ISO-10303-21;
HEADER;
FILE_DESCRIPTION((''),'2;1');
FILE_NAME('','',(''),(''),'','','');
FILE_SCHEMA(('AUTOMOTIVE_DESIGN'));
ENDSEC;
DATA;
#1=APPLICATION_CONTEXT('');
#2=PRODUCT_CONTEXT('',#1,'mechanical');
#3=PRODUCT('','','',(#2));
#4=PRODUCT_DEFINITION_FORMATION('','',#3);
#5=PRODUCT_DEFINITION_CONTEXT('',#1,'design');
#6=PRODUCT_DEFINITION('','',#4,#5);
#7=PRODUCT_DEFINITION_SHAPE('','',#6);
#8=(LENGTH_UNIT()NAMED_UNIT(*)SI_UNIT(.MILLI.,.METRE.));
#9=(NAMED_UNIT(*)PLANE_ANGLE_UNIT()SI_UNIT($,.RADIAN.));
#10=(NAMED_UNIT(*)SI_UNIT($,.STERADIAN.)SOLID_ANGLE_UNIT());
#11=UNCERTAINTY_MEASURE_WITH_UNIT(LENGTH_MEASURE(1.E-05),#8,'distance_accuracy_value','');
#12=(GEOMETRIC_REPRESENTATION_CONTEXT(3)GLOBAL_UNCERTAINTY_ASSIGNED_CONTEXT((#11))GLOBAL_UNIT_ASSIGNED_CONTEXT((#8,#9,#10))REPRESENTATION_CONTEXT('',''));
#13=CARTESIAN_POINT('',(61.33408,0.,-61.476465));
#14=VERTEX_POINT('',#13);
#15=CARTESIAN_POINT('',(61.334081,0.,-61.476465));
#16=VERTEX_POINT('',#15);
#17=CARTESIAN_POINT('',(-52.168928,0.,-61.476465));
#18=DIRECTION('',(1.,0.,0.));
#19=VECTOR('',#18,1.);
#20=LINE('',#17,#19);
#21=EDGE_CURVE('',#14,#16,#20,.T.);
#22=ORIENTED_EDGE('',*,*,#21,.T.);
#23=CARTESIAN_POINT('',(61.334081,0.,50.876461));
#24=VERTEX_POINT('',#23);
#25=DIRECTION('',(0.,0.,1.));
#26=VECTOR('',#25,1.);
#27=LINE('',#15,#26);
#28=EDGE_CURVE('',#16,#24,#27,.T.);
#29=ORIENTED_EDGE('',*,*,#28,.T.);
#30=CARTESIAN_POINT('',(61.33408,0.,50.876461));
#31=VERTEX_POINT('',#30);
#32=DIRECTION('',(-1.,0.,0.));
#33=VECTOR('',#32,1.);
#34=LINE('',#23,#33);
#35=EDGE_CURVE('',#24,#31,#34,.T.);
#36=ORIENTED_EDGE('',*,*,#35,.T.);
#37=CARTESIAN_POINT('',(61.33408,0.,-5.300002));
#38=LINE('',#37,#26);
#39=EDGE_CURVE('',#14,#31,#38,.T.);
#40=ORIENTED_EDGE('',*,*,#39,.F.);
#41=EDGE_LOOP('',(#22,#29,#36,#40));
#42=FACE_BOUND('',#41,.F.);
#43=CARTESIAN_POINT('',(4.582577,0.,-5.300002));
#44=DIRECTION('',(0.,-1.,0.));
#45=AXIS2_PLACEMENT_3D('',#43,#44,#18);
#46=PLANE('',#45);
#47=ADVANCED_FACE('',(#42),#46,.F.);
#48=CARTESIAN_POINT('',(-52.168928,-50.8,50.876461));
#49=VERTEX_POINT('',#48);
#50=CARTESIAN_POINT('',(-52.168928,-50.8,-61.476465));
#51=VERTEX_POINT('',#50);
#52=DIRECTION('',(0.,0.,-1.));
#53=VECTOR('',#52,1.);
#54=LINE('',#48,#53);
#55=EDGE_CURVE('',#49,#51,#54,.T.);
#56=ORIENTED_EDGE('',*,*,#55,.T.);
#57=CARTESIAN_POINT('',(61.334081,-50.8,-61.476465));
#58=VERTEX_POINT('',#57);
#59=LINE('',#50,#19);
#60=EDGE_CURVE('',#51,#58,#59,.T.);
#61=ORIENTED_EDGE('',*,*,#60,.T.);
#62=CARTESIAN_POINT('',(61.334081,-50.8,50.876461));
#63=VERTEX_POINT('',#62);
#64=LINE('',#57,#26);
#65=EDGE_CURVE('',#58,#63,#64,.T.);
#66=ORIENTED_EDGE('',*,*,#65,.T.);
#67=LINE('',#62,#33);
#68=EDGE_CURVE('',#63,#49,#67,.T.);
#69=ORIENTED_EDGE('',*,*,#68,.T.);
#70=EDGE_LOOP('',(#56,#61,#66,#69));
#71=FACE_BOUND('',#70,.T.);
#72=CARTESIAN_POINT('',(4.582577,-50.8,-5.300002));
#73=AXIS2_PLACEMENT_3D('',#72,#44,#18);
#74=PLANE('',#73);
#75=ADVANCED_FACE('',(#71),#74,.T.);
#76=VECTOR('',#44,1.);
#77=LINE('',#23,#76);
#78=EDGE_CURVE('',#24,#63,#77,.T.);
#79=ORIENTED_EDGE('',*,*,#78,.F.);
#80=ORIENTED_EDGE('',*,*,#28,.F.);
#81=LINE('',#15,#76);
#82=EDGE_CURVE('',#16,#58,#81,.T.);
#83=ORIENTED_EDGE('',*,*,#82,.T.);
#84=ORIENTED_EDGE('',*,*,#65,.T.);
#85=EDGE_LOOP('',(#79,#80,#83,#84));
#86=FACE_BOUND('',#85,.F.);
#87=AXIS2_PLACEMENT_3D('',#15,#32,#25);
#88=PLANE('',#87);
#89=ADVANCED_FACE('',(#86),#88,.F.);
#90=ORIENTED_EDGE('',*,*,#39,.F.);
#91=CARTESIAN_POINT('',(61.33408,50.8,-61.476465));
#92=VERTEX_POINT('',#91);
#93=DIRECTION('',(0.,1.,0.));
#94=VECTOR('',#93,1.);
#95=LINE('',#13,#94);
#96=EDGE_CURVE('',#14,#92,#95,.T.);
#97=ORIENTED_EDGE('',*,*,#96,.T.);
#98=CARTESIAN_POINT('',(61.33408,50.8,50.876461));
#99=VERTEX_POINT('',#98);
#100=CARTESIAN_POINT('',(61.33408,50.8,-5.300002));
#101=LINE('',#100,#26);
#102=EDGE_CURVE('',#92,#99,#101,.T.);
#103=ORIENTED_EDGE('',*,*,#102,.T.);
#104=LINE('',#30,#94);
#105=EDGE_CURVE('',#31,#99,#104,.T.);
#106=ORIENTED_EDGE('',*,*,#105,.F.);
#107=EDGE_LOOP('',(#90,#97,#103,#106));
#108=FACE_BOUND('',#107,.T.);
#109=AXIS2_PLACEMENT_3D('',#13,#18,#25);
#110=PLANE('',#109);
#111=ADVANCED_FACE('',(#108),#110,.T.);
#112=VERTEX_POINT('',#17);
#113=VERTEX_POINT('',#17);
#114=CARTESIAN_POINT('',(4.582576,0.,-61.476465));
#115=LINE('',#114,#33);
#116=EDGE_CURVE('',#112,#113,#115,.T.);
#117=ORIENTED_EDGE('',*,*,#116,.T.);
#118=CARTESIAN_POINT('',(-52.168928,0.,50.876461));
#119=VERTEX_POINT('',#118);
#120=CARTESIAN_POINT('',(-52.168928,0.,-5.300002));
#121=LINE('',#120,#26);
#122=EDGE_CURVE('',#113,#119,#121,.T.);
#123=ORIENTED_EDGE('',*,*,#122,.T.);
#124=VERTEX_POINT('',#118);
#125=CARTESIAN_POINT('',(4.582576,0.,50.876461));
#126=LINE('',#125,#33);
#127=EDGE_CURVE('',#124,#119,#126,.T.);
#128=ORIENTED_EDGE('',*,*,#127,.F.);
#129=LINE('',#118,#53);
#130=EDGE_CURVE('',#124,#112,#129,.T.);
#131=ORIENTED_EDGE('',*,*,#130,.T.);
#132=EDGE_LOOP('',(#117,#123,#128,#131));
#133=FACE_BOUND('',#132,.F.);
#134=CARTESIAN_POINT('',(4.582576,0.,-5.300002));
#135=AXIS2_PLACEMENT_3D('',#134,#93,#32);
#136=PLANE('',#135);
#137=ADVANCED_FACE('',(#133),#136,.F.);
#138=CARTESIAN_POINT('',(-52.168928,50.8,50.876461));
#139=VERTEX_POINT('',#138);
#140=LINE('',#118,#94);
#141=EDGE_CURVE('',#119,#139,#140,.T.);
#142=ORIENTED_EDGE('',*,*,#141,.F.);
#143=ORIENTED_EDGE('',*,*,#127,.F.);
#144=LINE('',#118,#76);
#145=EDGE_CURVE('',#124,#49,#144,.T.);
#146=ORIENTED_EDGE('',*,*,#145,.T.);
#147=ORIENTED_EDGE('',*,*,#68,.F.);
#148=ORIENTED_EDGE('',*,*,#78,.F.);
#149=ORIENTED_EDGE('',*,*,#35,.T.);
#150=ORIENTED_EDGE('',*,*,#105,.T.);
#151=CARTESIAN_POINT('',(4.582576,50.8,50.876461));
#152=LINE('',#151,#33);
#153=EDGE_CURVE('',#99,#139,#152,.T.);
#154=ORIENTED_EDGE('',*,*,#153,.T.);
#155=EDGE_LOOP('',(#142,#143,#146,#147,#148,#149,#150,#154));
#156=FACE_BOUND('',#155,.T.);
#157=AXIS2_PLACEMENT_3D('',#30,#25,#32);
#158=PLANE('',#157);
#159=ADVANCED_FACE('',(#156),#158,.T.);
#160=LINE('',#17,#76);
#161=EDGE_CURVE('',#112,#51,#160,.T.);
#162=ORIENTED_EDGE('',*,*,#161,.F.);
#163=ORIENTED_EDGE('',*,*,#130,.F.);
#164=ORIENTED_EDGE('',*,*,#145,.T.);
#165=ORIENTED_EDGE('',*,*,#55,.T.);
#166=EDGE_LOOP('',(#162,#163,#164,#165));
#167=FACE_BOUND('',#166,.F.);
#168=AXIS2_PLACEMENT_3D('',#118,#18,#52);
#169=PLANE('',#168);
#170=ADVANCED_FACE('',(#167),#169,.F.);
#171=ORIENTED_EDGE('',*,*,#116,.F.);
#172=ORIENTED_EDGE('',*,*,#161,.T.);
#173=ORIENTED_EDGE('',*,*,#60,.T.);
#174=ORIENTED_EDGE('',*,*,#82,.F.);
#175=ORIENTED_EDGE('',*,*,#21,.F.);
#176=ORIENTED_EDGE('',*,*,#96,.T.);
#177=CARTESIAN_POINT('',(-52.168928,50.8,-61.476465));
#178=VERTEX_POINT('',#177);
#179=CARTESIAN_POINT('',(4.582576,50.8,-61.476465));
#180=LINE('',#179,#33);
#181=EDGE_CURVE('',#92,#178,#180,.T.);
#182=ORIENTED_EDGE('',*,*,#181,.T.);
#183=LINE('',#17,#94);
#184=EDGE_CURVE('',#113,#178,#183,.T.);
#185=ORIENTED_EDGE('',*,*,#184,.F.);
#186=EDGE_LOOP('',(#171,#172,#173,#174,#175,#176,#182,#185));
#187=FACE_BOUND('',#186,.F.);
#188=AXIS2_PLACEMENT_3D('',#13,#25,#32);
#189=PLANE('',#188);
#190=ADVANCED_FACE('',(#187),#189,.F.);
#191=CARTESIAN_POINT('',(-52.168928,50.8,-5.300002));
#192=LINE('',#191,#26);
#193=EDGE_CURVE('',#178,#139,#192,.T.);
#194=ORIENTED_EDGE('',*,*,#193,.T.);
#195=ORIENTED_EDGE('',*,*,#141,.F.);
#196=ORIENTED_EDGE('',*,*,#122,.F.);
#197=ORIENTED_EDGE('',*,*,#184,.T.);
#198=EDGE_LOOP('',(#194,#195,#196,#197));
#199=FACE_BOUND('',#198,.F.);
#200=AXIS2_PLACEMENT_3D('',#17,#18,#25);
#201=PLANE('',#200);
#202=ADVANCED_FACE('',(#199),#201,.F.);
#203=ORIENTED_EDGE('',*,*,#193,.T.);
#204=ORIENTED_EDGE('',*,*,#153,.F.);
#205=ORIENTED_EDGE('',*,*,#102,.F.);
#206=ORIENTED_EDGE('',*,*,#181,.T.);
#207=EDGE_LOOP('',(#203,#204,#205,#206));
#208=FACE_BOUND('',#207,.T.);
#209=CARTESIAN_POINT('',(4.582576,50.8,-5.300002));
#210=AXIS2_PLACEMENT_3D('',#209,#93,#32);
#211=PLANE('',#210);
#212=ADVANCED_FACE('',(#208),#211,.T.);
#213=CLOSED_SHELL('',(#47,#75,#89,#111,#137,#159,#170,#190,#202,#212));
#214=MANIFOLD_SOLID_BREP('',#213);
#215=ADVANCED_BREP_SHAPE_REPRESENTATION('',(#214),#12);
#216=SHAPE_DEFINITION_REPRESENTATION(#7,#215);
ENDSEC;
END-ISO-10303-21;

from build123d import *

# Parameters (mm, degrees)
F1_DEPTH = 50.8
F2_W     = 113.503009
F2_H     = 112.352926
F3_DEPTH = 50.8


with BuildPart() as f1:
    # F0 (on Front) → F1 (new body)
    with BuildSketch(Plane.XZ):
        Polygon((61.334081, -61.476465), (61.334081, 0), (61.334081, 50.876461), (-52.168928, 50.876461), (-52.168928, -61.476465), align=None)
    extrude(amount=F1_DEPTH)

    # F2 (on face) → F3 (join)
    with BuildSketch(Plane(origin=(0, 0, 0), x_dir=(-1, 0, 0), z_dir=(0, 1, 0))):
        with Locations((-4.582576, -5.300002)):
            Rectangle(F2_W, F2_H)
    extrude(amount=F3_DEPTH)


solid = f1.part
